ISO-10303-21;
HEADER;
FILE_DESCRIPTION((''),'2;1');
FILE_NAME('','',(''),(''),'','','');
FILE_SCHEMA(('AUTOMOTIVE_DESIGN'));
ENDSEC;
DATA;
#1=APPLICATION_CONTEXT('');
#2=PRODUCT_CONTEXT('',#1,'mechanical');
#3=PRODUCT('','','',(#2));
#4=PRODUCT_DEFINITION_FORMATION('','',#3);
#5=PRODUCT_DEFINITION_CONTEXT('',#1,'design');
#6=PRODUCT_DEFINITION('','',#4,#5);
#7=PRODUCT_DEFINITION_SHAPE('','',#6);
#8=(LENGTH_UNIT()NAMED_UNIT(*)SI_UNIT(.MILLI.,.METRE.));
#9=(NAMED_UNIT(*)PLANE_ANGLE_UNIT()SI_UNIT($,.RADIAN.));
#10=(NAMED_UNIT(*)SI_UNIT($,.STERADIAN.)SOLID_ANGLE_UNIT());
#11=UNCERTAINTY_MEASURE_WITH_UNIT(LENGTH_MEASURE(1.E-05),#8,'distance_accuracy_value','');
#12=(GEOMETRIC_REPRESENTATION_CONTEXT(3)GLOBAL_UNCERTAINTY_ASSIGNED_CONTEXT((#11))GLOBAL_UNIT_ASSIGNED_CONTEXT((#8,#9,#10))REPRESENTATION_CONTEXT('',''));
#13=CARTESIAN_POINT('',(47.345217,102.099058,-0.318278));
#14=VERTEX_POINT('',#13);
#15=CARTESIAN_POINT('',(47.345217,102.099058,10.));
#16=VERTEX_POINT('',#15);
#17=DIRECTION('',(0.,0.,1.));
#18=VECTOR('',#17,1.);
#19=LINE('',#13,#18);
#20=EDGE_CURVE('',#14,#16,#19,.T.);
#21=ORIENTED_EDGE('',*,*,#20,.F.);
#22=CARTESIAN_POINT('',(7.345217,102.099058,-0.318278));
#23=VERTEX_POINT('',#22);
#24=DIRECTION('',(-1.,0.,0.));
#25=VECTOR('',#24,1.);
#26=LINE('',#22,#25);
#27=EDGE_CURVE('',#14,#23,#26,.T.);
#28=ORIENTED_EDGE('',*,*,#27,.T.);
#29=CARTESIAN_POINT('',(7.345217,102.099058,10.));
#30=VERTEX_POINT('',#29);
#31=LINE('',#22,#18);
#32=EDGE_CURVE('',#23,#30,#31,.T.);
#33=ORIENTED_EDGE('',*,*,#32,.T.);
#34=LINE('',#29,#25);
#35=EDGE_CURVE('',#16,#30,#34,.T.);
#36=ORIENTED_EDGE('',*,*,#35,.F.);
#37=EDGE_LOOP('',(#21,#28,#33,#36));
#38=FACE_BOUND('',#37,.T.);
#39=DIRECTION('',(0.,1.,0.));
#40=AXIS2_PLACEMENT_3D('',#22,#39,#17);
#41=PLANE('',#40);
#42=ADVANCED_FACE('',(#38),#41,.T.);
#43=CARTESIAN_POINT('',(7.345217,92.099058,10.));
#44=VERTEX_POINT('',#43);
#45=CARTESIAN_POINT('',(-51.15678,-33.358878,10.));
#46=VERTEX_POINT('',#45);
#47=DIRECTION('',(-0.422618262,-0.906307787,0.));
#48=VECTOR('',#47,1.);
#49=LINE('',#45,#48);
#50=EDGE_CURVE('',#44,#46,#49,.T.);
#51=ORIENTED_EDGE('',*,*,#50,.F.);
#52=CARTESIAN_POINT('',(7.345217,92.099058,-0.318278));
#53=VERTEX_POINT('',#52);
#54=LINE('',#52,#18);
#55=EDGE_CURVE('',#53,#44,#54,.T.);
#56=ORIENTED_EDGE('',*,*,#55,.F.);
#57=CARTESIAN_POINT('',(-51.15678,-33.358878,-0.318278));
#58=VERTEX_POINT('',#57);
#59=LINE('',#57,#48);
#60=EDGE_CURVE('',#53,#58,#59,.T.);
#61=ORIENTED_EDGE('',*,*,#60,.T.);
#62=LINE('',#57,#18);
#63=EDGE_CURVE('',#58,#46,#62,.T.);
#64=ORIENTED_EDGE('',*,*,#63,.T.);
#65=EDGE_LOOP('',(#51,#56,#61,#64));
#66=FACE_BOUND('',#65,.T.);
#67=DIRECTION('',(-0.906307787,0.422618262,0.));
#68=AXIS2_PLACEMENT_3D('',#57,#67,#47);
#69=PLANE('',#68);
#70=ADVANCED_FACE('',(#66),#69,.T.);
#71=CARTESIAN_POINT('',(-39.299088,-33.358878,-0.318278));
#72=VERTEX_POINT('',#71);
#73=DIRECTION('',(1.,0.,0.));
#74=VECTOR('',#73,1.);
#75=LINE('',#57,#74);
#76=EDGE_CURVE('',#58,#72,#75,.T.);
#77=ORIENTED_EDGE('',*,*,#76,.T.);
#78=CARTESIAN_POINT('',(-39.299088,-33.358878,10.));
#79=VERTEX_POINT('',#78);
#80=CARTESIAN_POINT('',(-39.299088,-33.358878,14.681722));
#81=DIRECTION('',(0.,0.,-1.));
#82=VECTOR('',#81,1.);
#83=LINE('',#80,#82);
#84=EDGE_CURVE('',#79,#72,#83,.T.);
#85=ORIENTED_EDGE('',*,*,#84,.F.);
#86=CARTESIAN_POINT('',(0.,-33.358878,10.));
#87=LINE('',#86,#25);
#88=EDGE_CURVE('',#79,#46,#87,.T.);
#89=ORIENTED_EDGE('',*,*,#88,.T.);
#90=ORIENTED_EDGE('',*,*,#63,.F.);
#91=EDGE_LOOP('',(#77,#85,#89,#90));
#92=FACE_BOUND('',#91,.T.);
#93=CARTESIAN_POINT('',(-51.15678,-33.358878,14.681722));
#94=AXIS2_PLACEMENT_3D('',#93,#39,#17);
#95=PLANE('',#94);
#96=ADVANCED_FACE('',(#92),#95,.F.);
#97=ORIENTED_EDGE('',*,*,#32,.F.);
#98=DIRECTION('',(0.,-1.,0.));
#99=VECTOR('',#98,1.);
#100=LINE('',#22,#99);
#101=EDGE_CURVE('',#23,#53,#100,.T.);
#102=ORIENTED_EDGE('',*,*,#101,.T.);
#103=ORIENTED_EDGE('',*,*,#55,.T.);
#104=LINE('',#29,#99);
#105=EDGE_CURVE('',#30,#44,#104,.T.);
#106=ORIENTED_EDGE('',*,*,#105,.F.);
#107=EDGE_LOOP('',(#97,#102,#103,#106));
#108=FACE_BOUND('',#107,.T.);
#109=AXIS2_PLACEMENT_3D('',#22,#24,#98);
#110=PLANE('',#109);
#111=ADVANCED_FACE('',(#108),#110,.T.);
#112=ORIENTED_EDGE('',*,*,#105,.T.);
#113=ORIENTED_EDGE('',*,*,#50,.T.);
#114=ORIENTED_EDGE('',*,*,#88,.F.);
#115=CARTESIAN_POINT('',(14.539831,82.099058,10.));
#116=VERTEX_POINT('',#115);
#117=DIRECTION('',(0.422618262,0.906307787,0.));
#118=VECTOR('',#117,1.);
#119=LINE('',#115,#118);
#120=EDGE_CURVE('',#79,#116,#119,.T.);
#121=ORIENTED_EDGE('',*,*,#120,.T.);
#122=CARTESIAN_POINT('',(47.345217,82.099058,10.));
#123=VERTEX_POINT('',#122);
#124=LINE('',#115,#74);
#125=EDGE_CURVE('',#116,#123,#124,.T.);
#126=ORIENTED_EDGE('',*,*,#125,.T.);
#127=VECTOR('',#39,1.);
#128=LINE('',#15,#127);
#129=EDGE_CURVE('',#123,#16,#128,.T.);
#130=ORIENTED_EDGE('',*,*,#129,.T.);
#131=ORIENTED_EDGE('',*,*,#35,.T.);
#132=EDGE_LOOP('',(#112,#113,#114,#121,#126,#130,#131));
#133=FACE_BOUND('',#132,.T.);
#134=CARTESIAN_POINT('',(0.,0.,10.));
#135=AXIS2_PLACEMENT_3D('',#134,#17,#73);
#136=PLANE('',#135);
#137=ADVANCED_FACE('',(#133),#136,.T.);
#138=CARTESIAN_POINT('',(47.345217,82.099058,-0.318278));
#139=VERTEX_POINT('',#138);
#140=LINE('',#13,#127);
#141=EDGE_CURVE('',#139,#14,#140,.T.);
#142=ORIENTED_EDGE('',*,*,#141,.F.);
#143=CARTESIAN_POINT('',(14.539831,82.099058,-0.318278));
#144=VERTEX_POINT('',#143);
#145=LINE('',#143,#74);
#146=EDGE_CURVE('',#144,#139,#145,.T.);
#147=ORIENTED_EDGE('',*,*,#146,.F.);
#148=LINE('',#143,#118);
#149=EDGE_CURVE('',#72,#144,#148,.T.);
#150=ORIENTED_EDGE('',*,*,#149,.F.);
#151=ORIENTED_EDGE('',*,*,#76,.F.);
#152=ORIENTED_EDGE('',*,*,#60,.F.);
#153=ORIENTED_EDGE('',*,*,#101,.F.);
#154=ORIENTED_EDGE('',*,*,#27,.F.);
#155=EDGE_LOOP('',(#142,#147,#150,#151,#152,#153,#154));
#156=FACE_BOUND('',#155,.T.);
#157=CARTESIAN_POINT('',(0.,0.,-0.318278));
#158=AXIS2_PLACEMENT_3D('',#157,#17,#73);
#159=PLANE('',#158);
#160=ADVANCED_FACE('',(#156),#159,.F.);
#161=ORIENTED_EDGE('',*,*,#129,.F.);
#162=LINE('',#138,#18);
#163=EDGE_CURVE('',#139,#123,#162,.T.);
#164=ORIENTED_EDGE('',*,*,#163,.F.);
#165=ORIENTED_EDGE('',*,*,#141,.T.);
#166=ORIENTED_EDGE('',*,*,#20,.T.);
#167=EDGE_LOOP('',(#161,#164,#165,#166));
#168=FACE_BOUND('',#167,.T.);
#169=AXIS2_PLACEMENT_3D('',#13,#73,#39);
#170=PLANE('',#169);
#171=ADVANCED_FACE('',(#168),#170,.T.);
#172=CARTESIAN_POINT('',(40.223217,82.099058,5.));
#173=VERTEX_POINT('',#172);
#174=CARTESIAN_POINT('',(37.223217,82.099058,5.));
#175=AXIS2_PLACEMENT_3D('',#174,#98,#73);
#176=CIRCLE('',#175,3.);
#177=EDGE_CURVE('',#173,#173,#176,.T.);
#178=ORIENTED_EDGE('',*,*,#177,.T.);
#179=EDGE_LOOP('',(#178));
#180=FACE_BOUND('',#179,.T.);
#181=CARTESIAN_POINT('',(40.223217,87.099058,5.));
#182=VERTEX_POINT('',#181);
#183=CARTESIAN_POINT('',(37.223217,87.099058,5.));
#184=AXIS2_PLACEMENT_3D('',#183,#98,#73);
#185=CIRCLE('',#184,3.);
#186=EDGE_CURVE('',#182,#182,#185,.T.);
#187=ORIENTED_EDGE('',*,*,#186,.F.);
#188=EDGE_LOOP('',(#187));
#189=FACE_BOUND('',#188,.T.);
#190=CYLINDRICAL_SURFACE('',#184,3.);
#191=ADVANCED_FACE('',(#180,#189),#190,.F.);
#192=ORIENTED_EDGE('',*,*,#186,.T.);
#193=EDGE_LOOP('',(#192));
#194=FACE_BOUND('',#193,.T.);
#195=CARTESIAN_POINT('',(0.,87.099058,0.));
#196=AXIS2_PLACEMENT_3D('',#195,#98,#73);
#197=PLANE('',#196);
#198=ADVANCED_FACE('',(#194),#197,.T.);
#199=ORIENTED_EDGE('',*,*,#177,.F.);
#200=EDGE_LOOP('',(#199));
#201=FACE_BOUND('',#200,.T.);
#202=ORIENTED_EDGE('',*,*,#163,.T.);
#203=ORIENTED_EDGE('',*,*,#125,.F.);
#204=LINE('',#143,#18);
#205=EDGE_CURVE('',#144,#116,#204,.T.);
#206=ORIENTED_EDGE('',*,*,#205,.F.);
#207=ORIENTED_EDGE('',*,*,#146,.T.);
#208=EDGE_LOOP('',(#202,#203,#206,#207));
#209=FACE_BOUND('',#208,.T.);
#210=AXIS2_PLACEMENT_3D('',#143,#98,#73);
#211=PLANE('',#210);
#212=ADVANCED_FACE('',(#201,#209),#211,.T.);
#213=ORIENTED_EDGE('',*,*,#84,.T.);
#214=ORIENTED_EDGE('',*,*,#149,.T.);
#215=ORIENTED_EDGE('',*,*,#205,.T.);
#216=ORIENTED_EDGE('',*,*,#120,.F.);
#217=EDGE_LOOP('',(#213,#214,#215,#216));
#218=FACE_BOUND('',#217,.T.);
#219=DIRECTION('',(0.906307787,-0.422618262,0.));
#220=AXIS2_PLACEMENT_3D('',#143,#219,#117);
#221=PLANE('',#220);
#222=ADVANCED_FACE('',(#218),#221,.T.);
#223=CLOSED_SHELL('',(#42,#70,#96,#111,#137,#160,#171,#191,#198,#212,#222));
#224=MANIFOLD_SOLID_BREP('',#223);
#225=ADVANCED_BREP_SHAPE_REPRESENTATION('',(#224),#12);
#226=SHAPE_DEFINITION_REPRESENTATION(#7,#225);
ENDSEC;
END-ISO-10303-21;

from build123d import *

# Parameters (mm, degrees)
BOSS_EXTRUDE1_DEPTH      = 10
BOSS_EXTRUDE1_DEPTH_BACK = 0.318278283
SKETCH3_R                = 3
CUT_EXTRUDE1_DEPTH       = 5
CUT_EXTRUDE2_DEPTH       = 15


with BuildPart() as part:
    # Sketch2 → Boss-Extrude1 (new body, two sides)
    with BuildSketch(Plane.XY) as boss_extrude1_sk:
        Polygon((14.539831303, 82.09905821), (-41.416945568, -37.900637039), (-51.156779582, -33.358877849), (7.345216778, 92.09905821), (7.345216778, 102.09905821), (47.345216778, 102.09905821), (47.345216778, 82.09905821), align=None)
    extrude(amount=BOSS_EXTRUDE1_DEPTH)
    extrude(boss_extrude1_sk.sketch, amount=-BOSS_EXTRUDE1_DEPTH_BACK)

    # Sketch3 → Cut-Extrude1 (cut)
    with BuildSketch(Plane.XZ.offset(-82.09905821)):
        with Locations((37.223217292, 5)):
            Circle(SKETCH3_R)
    extrude(amount=-CUT_EXTRUDE1_DEPTH, mode=Mode.SUBTRACT)

    # Sketch4 → Cut-Extrude2 (cut)
    with BuildSketch(Plane(origin=(0, 0, -0.318278283), x_dir=(-1, 0, 0), z_dir=(0, 0, -1))):
        Polygon((51.156779582, -33.358877849), (39.299088476, -33.358877849), (41.416945568, -37.900637039), align=None)
    extrude(amount=-CUT_EXTRUDE2_DEPTH, mode=Mode.SUBTRACT)


solid = part.part
